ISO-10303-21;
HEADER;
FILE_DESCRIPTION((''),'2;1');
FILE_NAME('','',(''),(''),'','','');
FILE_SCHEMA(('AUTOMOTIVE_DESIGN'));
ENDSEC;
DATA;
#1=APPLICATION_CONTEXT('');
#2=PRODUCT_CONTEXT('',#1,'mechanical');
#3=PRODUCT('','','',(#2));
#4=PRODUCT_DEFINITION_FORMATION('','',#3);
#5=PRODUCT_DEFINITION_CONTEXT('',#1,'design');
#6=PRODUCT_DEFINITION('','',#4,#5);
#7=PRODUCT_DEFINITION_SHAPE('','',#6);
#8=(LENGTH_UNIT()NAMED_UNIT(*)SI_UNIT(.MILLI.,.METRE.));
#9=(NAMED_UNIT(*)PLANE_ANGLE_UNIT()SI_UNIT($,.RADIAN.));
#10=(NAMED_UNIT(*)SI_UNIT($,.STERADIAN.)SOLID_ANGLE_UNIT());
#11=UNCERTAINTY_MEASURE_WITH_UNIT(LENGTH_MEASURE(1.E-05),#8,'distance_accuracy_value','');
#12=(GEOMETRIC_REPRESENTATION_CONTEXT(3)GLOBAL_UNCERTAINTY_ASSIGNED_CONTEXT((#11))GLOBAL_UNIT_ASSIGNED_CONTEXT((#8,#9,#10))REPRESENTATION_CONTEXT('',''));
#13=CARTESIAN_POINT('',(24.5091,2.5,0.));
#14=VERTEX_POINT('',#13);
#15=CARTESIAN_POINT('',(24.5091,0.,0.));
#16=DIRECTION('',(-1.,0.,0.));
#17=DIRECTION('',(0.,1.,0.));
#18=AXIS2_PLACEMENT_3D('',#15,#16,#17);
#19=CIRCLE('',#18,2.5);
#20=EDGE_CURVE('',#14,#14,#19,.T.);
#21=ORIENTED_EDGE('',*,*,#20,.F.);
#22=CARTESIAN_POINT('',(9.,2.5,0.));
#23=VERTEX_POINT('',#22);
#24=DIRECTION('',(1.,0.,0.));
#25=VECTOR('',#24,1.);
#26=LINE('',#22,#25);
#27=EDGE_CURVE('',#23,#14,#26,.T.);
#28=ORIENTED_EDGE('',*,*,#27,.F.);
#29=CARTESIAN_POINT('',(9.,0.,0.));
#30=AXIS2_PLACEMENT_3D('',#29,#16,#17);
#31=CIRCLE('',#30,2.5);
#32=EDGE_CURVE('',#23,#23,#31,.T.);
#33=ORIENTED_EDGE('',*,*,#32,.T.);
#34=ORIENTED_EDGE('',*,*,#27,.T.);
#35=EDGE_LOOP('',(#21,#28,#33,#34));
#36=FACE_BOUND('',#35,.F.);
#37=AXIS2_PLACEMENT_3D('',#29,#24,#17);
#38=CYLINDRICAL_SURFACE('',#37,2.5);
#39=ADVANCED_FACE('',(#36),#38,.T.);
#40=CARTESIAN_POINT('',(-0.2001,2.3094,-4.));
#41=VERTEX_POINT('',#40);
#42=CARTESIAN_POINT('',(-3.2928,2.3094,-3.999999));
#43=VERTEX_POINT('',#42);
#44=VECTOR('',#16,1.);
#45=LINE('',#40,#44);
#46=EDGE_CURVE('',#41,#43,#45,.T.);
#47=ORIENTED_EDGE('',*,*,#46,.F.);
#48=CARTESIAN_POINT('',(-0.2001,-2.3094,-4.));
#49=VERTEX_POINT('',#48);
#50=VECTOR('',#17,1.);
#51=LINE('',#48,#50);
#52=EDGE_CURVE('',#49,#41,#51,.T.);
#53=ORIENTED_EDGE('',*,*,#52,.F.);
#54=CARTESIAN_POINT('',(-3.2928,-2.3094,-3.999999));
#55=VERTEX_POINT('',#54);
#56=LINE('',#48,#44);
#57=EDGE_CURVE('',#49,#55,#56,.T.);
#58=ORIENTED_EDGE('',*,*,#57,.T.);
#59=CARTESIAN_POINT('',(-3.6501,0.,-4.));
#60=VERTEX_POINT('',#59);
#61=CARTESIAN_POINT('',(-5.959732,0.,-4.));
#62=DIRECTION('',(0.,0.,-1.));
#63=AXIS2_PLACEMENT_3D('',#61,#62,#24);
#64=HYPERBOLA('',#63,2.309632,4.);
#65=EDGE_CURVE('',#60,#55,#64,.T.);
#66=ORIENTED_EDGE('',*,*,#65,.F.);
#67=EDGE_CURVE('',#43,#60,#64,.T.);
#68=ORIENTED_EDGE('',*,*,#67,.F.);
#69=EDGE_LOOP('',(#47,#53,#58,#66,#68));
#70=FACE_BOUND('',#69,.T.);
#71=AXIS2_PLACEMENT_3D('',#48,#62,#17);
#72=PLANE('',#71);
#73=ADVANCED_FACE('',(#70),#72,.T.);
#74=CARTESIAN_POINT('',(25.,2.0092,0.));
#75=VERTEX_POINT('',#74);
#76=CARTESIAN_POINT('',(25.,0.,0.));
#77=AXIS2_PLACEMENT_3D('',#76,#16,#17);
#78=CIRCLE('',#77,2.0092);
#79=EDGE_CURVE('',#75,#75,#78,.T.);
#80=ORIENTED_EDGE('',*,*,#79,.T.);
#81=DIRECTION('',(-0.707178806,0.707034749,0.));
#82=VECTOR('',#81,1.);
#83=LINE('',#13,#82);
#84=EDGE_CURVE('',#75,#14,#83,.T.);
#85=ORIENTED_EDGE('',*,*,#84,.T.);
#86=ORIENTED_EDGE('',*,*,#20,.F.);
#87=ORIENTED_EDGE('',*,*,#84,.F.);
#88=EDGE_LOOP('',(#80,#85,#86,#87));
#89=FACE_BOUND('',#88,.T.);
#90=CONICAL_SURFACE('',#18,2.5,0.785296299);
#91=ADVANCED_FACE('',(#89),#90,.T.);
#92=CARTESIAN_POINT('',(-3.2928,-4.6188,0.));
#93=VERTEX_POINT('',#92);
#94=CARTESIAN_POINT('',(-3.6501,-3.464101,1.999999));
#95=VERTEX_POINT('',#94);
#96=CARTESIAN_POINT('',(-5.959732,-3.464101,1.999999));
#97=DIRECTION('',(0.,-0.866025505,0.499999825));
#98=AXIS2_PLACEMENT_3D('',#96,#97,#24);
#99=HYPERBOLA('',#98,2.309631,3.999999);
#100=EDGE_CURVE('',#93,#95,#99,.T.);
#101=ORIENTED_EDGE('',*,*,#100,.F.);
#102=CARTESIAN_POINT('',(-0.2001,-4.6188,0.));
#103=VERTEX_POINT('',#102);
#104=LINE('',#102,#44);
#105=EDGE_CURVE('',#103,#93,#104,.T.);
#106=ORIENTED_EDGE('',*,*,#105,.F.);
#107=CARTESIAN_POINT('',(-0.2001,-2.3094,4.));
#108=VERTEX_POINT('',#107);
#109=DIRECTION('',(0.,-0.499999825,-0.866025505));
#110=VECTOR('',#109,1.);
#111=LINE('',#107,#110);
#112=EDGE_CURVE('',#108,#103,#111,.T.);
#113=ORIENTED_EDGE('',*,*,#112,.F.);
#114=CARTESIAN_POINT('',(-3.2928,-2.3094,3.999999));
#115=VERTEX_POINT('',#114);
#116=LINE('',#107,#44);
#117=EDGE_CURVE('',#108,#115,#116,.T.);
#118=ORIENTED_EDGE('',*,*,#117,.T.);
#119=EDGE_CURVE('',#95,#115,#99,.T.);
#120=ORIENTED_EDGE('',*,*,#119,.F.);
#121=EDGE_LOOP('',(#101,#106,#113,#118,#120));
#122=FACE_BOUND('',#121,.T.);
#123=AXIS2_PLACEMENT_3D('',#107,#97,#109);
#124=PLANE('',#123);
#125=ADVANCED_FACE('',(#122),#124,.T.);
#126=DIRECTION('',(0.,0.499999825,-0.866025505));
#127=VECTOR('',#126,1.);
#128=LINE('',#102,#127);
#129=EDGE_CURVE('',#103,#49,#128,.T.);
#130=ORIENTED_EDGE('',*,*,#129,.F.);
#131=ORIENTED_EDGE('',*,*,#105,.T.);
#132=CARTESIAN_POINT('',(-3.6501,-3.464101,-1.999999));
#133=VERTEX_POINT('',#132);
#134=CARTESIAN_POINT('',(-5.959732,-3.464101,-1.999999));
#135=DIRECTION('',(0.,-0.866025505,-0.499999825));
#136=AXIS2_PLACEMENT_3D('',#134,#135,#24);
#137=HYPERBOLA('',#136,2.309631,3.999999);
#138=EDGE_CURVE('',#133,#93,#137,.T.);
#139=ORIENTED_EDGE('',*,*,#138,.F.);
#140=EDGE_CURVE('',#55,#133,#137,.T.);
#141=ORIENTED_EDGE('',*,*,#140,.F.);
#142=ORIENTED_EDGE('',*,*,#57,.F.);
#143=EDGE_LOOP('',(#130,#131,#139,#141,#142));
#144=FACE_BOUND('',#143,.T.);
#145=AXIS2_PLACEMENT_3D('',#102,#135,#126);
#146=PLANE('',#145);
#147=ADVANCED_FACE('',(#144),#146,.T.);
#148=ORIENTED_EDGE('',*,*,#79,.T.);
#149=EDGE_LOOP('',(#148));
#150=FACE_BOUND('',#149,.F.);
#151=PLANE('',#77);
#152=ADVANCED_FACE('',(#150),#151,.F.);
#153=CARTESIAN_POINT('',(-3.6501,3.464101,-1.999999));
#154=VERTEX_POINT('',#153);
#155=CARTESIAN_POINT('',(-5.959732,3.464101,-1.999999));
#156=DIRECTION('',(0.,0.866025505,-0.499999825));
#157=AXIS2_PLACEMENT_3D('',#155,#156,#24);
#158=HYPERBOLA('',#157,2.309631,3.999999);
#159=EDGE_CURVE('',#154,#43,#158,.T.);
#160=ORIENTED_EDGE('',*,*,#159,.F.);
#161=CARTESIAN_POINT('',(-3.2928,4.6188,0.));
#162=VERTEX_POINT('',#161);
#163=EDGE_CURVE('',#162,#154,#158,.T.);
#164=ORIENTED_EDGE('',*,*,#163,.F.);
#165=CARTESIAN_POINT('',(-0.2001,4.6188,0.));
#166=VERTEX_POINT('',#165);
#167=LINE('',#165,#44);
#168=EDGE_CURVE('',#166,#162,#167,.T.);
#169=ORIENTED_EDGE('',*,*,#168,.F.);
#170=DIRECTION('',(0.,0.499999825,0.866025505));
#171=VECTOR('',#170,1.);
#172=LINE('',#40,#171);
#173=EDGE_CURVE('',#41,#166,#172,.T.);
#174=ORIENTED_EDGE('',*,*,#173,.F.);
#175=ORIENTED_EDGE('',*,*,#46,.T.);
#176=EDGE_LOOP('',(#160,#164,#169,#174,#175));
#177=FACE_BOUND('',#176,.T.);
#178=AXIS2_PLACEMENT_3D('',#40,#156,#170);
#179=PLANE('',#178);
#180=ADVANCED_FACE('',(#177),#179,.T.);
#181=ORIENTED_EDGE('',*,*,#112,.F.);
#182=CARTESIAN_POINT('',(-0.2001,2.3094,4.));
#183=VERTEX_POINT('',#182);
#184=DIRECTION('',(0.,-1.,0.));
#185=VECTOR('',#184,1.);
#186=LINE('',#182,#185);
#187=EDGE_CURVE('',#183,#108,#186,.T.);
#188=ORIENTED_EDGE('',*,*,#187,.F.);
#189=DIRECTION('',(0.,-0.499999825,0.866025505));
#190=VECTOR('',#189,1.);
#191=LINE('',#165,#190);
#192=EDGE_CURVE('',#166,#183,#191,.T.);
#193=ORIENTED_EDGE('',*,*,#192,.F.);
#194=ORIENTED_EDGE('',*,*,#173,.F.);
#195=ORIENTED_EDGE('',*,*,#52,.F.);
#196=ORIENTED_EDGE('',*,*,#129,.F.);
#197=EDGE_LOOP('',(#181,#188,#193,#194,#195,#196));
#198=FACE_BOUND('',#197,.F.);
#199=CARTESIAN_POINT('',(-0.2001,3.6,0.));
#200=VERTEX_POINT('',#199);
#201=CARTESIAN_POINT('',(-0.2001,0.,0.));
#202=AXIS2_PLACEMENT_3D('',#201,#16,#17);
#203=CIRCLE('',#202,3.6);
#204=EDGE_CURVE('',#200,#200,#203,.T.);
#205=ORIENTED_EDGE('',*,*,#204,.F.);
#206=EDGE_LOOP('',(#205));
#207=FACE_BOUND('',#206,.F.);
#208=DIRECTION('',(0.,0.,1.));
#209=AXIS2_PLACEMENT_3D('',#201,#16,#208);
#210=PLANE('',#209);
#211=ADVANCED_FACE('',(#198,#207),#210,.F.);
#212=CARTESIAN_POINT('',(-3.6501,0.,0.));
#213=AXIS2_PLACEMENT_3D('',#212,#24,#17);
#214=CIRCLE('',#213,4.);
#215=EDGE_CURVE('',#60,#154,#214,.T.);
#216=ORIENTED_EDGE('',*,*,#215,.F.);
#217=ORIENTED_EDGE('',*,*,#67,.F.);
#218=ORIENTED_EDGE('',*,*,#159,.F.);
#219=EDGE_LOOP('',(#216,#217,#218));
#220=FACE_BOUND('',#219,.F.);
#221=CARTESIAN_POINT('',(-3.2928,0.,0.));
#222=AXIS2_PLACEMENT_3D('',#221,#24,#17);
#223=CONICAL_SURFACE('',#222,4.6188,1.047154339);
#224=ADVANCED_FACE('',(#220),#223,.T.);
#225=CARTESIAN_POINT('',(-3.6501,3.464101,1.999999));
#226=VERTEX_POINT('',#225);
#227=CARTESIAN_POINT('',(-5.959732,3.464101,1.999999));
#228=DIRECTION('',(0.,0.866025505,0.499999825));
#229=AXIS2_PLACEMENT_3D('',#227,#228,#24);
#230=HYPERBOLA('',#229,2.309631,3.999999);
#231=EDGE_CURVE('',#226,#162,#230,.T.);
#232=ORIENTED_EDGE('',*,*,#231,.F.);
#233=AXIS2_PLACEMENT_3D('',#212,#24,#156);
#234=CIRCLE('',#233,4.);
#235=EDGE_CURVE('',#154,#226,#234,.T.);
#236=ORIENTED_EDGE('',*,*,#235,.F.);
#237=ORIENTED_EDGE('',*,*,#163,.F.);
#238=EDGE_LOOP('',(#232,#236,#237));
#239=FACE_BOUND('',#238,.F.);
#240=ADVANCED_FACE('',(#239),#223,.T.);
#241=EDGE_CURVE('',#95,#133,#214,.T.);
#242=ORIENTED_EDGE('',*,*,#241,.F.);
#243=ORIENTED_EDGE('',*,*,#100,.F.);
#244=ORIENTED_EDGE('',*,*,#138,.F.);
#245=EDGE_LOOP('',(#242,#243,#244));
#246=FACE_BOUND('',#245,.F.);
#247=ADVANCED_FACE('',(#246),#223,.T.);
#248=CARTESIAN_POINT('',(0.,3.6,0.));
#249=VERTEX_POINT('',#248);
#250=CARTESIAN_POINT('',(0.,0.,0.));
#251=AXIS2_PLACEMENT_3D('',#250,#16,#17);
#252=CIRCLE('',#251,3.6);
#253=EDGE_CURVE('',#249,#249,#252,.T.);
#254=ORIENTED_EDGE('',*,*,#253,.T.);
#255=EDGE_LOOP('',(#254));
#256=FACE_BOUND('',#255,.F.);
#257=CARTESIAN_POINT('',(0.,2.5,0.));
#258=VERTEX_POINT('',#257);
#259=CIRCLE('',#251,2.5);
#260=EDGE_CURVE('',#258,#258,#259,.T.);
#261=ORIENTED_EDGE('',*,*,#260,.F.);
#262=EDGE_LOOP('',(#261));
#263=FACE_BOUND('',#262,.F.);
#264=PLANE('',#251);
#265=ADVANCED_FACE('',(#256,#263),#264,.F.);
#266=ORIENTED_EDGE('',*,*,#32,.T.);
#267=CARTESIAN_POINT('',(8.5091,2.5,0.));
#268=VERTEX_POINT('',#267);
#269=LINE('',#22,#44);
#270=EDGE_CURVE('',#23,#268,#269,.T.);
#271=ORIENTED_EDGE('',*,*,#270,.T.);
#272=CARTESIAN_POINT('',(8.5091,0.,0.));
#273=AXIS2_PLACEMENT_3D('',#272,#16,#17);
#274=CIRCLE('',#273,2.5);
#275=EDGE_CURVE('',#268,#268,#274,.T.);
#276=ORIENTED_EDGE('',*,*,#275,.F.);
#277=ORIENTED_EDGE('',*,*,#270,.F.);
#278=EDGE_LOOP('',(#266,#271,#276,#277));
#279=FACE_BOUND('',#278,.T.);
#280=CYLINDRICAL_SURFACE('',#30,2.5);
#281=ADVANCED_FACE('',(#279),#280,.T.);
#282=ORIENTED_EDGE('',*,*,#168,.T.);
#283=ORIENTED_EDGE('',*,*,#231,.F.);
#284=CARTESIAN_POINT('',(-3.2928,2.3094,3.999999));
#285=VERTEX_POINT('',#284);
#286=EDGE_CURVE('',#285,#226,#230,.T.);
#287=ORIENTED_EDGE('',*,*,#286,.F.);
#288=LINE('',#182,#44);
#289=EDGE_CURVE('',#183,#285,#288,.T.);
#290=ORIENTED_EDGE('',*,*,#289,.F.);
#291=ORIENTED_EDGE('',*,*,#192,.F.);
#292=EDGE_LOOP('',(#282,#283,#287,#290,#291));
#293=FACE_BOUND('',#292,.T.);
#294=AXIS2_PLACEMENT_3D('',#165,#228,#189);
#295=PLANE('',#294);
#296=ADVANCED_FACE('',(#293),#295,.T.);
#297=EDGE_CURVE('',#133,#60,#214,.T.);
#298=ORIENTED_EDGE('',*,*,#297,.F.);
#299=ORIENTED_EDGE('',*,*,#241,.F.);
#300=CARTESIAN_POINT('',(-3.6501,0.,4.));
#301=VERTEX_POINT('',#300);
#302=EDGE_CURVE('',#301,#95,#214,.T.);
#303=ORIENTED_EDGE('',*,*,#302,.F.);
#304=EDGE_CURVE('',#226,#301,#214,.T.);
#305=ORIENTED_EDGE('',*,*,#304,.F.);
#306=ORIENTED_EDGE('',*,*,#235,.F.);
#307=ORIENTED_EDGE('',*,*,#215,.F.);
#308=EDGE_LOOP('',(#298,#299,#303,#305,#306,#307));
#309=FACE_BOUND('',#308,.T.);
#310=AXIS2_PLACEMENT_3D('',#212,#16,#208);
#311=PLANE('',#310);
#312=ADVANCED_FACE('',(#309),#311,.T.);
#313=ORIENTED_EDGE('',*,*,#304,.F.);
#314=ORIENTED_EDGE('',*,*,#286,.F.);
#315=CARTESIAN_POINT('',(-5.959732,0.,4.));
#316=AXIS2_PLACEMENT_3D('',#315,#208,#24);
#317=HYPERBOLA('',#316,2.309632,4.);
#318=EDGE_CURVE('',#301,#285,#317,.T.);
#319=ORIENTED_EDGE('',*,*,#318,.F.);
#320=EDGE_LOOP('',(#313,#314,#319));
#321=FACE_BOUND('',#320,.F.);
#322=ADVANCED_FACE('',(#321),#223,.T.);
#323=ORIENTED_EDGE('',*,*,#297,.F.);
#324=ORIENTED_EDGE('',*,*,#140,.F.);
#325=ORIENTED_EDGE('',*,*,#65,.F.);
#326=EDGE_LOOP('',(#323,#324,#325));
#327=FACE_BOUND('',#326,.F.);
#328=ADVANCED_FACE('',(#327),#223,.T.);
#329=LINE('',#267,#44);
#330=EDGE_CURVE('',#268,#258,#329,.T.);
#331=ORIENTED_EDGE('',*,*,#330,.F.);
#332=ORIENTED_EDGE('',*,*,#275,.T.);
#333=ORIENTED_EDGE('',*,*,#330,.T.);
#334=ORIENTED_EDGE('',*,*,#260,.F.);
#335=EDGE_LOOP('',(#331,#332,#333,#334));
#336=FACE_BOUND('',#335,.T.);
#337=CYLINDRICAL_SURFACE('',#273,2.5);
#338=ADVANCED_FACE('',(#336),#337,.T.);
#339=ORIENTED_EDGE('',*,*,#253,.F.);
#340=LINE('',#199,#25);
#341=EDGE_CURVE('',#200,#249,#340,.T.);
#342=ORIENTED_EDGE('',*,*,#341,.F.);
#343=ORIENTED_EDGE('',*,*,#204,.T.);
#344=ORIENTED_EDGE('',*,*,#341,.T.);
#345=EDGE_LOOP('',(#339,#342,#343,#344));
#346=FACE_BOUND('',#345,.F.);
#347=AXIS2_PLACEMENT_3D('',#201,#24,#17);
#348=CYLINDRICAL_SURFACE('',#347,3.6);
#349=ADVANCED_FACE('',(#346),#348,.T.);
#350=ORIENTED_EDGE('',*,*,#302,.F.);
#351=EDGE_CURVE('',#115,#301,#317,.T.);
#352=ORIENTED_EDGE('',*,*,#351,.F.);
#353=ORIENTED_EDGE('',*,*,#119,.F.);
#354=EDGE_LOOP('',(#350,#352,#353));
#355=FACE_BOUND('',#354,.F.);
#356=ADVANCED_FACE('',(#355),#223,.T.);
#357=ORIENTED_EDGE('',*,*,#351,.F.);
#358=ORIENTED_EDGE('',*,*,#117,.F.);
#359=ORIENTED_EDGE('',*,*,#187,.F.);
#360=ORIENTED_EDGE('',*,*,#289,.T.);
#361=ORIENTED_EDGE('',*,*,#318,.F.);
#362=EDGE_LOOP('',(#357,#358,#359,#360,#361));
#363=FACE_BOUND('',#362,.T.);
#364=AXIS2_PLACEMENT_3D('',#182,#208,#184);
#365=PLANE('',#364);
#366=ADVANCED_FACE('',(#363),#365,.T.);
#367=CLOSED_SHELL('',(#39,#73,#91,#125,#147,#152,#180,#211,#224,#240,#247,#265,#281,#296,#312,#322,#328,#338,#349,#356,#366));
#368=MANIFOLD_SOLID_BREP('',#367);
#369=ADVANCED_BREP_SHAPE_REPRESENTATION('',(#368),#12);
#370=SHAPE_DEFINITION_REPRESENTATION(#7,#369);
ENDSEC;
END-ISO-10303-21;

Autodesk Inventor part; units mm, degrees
ref_plane "YZ Plane" through (0, 0, 0) normal (1, 0, 0) x (0, 1, 0)
ref_plane "XZ Plane" through (0, 0, 0) normal (0, 1, 0) x (-1, 0, 0)
sketch "Szkic1" plane through (0, 0, 0) normal (0, 0, 1) x (1, 0, 0)
  line L0 (0, 3.6) -> (0, 2.5)
  line L1 (9, 2.5) -> (25, 2.5)
  line L2 (25, 2.5) -> (25, 0)
  line L3 (25, 0) -> (-0.2001, 0)
  line L4 (-5.2401, 0) -> (30.04, 0) projected
  line L5 (-0.2001, 0) -> (-0.2001, 3.6)
  line L6 (-0.2001, 3.6) -> (0, 3.6)
  line L7 (9, 2.5) -> (8.5091, 2.5)
  line L8 (8.5091, 2.5) -> (0, 2.5)
  line L9 (0, -0.72) -> (0, 4.32) projected
  dimension "d0" = 25
  dimension "d1" = 16
  dimension "d2" = 5
  dimension "d9" = 0.2001
  dimension "d10" = 7.2
  dimension "d13" = 0.4909
  dimension "d14" = 5
revolve "Bryła" add sketch "Szkic1" angle 360 about axis through (25, 0, 0) along (-1, 0, 0)
sketch "Szkic2" plane through (-0.2001, 0, 0) normal (-1, 0, 0) x (0, 0, 1)
  line L0 (0, 4.6188) -> (4, 2.3094)
  line L1 (4, 2.3094) -> (4, -2.3094)
  line L2 (4, -2.3094) -> (0, -4.6188)
  line L3 (0, -4.6188) -> (-4, -2.3094)
  line L4 (-4, -2.3094) -> (-4, 2.3094)
  line L5 (-4, 2.3094) -> (0, 4.6188)
  point P0 (0, 0)
  point P1 (0, 0)
  dimension "d11" = 8
extrude "Głowica" add sketch "Szkic2" along normal blind 3.45
sketch "Szkic4" plane through (0, 0, 0) normal (0, 0, 1) x (1, 0, 0)
  line L0 (-3.6501, 4) -> (-3.6501, 4.6188)
  line L1 (-3.6501, 4.6188) -> (-3.2928, 4.6188)
  line L2 (-3.2928, 4.6188) -> (-3.6501, 4)
  line L3 (-4.3401, 0) -> (0.4899, 0) projected
  line L4 (-0.2001, 4.6188) -> (-3.6501, 4.6188) projected
  line L5 (-3.6501, 2.3094) -> (-3.6501, 4.6188) projected
  dimension "d5" = 30
  dimension "d19" = 8
revolve "Faza1" cut sketch "Szkic4" angle 360 about axis through (-10, 0, 0) along (1, 0, 0)
thread "Gwint" size "M5x0.8" class "6g" standard "ISO Metric profile" length 16
chamfer "Faza2" distance 0.4908 distance2 0.4909 1 edges at (25, -2.5, 0) measured on face at (25, 0.7379, -0.3873)
ref_plane "Work Plane1" through (1.525, 0, 0) normal (0, 0, 1) x (1, 0, 0)
equation "\"d0\" = NLG"
equation "\"d1\" = GEL"
equation "\"d2\" = GD"
equation "\"d10\" = SD2"
equation "\"d14\" = BDM"
equation "\"d11\" = SW"
equation "\"d3\" = KOH - SD"
equation "\"d5\" = ANG1"
equation "\"d19\" = SW0"
equation "\"d15\" = GEL"
equation "\"d6\" = -0.5 * SPD + 0.5 * GD"
equation "\"NLG\" = 25"
equation "\"GD\" = NND"
equation "\"BDM\" = NND"
equation "\"KOH\" = 3.65"
equation "\"GEL\" = 16"
equation "\"SW\" = 8"
equation "\"SW0\" = 8"
equation "\"SPD\" = NND - 1.2269 * PTC"
equation "\"SD2\" = 0.9 * SW"
equation "\"SD\" = 0.2"
equation "\"ANG1\" = 30deg"
equation "\"GAL\" = 0.61345 * PTC"
equation "\"GUL\" = 0.61345 * PTC"
equation "\"RR\" = 0.35"
equation "\"GD1\" = THREADDIA - 1.2269 * PTC"
equation "\"THREADDIA\" = 5"
equation "\"SDH\" = 7.55"
equation "\"TOA\" = 30deg"
equation "\"PTC\" = 0.8"
equation "\"NND\" = 5"
equation "\"E0\" = 1.155 * SW"
properties part number "BS 3692 - M5 x 25" material "Stal, miękka"
